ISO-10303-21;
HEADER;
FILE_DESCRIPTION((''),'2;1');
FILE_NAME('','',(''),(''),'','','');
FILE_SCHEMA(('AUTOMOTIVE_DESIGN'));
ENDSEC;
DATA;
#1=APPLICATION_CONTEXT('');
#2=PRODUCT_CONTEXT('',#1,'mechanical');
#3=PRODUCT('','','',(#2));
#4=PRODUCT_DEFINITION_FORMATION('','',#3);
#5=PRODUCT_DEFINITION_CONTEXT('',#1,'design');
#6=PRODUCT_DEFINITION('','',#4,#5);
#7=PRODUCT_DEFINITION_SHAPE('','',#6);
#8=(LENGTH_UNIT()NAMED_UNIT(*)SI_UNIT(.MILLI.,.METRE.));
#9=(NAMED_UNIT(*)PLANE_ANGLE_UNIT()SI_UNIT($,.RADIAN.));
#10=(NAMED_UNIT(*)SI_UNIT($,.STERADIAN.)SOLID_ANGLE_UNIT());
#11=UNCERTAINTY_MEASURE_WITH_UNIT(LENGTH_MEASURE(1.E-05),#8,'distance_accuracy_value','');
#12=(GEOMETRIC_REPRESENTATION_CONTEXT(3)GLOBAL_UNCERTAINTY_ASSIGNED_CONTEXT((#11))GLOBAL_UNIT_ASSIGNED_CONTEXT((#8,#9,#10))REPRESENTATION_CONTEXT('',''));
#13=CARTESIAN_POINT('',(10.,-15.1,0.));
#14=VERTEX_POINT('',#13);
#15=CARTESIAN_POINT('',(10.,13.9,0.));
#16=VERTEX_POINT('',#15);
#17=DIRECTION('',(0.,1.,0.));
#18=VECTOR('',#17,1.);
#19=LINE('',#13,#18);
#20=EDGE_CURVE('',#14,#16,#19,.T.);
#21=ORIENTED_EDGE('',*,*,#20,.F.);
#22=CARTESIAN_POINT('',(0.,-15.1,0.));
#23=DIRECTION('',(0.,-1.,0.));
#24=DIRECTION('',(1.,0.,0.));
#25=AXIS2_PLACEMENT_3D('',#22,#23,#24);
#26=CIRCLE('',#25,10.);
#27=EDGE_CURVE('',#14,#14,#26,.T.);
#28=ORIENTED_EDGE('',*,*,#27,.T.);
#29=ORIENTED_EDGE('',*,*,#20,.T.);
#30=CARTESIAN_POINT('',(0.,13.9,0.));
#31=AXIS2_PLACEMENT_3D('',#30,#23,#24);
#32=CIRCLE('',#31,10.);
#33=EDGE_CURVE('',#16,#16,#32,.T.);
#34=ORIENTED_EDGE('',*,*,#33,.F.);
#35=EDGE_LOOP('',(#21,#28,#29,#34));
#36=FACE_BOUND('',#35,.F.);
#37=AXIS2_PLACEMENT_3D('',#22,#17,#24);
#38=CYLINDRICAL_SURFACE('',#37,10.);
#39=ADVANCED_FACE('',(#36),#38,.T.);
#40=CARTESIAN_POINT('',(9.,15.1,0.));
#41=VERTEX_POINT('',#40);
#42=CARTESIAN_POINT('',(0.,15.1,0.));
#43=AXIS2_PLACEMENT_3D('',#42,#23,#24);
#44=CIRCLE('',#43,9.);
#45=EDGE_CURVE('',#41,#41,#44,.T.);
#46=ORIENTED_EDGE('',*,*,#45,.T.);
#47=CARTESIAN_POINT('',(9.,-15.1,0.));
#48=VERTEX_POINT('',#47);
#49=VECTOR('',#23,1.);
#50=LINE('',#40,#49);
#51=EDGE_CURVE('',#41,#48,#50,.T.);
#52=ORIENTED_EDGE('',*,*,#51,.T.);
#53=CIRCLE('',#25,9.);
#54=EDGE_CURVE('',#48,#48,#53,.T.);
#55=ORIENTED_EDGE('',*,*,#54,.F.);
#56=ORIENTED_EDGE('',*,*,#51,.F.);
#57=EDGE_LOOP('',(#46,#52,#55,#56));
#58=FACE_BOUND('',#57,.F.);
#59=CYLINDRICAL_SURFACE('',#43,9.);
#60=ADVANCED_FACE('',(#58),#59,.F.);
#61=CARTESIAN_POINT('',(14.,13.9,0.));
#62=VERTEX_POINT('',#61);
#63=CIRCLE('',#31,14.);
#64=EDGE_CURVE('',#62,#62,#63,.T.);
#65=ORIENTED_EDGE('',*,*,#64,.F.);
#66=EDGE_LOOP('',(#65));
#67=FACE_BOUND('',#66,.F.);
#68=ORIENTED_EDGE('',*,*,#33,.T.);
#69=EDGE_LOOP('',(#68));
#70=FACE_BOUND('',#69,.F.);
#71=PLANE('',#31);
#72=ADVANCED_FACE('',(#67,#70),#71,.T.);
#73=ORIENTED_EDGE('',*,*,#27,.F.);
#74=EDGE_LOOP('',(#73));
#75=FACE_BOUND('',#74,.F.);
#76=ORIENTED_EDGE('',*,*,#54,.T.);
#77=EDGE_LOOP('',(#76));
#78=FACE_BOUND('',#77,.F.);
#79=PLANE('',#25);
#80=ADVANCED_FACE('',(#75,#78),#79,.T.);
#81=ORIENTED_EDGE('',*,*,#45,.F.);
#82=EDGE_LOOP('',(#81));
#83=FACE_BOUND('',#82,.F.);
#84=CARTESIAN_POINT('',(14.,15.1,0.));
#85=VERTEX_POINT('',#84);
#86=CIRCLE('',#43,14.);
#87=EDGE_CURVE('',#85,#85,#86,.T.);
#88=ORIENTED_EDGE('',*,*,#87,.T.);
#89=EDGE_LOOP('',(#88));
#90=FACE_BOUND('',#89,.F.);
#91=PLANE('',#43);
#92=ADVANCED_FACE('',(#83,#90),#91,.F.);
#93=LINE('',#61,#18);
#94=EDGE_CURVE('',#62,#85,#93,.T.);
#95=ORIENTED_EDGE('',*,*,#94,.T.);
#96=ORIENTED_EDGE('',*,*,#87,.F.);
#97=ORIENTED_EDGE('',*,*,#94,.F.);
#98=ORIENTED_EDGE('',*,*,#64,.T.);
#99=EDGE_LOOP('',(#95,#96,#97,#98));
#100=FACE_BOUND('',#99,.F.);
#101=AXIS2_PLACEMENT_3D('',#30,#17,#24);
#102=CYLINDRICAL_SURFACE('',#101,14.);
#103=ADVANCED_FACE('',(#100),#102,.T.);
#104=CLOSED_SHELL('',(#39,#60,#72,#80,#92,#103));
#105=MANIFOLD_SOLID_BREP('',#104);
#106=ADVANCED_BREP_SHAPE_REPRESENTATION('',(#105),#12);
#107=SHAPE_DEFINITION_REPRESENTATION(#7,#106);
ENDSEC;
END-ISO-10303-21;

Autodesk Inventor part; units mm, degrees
ref_plane "YZ Plane" through (0, 0, 0) normal (1, 0, 0) x (0, 1, 0)
ref_plane "XZ Plane" through (0, 0, 0) normal (0, 1, 0) x (-1, 0, 0)
ref_plane "XY Plane" through (0, 0, 0) normal (0, 0, 1) x (1, 0, 0)
sketch "Эскиз1" plane through (0, 0, 0) normal (0, 0, 1) x (1, 0, 0)
  line L0 (0, 15.1) -> (0, -15.1)
  line L1 (10, -15.1) -> (10, 13.9)
  line L2 (10, 13.9) -> (14, 13.9)
  line L3 (14, 13.9) -> (14, 15.1)
  line L4 (14, 15.1) -> (9, 15.1)
  line L5 (9, 15.1) -> (9, -15.1)
  line L6 (9, -15.1) -> (10, -15.1)
  point P0 (0, 0)
  point P1 (0, 0)
  dimension "d0" = 30.2
  dimension "d1" = 18
  dimension "d2" = 20
  dimension "d3" = 29
  dimension "d4" = 28
revolve "Вращение1" add sketch "Эскиз1" angle 360 about axis through (0, 15.1, 0) along (0, -1, 0)
properties part number "62. Втулка рычага управления"
